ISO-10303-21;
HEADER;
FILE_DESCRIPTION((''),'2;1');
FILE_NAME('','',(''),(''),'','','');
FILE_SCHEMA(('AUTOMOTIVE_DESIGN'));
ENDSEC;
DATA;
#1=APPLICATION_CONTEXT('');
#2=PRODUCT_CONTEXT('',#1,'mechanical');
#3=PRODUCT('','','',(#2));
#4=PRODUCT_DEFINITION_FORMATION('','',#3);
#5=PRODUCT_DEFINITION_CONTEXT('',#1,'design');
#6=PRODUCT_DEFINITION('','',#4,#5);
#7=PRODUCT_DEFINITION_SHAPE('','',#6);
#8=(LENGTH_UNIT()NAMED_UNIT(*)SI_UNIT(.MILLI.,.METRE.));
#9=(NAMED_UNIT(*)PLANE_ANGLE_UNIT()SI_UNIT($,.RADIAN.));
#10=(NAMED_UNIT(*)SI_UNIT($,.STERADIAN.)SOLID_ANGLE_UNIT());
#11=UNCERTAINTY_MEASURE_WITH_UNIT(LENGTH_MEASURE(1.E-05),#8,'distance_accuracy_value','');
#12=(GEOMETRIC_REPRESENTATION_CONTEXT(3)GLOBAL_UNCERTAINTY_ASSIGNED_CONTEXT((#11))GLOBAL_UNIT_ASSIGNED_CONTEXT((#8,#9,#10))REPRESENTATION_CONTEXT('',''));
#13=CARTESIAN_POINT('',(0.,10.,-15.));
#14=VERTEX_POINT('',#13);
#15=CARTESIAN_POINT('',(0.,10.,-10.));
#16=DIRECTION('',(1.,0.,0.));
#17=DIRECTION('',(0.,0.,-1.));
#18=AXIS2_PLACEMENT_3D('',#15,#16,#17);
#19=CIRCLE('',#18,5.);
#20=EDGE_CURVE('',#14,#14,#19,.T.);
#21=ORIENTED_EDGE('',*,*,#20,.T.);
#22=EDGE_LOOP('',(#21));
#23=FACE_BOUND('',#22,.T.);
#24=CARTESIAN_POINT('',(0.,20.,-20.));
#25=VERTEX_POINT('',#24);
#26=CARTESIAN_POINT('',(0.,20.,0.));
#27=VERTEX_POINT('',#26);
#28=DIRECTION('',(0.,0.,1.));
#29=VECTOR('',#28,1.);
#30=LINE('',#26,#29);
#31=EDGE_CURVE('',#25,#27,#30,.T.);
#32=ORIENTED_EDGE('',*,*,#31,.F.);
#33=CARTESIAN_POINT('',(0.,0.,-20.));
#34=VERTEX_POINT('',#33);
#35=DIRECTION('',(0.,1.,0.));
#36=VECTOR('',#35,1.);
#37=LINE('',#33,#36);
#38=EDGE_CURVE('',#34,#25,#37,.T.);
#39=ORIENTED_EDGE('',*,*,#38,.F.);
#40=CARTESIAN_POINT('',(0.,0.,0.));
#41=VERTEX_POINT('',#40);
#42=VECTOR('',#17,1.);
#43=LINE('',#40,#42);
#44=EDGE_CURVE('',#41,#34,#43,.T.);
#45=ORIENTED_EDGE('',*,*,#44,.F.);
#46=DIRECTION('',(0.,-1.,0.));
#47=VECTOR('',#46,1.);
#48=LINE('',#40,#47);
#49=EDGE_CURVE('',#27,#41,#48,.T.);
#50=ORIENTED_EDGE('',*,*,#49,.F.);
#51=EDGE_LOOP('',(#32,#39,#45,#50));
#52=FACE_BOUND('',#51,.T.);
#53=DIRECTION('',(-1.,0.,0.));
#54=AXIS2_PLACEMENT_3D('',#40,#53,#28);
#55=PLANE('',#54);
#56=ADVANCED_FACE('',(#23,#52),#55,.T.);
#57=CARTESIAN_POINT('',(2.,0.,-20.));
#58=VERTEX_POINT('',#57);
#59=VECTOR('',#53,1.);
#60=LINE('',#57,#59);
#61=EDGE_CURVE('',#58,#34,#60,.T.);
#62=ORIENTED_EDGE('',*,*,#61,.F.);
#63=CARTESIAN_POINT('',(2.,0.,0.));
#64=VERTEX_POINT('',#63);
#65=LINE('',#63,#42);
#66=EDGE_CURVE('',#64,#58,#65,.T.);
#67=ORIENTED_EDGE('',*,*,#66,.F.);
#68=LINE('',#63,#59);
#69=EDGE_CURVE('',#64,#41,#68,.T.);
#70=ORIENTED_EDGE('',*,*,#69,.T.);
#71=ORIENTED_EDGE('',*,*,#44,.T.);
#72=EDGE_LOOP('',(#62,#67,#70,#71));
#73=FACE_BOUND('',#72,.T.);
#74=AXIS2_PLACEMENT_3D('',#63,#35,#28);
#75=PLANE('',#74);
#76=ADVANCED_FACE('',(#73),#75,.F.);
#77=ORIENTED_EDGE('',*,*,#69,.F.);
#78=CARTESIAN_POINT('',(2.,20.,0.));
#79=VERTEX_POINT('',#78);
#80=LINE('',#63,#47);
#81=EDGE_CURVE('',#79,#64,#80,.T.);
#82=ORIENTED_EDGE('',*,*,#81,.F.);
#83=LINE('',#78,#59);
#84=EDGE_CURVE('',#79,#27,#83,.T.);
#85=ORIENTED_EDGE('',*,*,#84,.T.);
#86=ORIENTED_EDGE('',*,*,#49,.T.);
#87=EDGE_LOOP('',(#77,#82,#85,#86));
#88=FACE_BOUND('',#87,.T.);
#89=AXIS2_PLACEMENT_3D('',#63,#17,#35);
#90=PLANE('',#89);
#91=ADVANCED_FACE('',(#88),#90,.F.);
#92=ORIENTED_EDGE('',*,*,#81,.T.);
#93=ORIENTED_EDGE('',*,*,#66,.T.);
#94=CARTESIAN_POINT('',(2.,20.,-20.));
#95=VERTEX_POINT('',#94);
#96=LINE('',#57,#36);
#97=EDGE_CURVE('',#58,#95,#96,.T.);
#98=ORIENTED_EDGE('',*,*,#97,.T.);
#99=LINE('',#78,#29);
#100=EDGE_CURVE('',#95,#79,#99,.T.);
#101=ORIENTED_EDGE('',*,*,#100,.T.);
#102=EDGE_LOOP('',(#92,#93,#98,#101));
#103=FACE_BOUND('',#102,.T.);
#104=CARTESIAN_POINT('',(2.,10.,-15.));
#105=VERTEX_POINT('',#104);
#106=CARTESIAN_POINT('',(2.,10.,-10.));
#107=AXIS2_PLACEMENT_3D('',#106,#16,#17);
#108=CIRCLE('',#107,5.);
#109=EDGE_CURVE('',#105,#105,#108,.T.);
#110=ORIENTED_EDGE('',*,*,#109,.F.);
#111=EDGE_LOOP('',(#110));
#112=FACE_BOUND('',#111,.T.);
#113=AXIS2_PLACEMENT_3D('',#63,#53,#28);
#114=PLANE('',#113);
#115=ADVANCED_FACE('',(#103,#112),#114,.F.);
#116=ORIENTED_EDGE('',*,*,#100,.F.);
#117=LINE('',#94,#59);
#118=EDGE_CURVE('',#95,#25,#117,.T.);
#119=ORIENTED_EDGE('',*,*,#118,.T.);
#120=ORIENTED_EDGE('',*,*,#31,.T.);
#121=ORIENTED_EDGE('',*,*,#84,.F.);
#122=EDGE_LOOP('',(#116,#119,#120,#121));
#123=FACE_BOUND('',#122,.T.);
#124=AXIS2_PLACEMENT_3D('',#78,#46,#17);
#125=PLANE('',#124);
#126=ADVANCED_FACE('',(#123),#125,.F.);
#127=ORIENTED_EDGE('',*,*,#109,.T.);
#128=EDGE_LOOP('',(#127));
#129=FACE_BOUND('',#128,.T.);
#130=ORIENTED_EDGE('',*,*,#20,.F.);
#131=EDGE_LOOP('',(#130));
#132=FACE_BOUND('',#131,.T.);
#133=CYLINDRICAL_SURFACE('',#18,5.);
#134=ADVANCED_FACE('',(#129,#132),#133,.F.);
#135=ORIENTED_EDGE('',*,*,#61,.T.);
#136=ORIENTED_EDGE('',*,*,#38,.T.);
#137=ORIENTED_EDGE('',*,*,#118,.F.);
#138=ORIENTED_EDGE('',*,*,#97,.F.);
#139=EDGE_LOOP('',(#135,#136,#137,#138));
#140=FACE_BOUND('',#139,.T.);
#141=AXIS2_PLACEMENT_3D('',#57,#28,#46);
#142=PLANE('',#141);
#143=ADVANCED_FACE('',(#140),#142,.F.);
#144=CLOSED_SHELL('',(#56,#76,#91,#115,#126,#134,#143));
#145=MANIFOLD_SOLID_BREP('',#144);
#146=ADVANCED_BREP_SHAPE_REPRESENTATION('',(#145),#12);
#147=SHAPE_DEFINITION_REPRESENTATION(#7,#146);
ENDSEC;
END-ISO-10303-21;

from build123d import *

# Parameters (mm, degrees)
SKETCH1_W           = 20
SKETCH1_H           = 20
BOSS_EXTRUDE1_DEPTH = 2
SKETCH2_R           = 5
CUT_EXTRUDE1_DEPTH  = 29.354893758


with BuildPart() as part:
    # Sketch1 → Boss-Extrude1 (new body)
    with BuildSketch(Plane(origin=(0, 0, 0), x_dir=(0, 0, -1), z_dir=(1, 0, 0))):
        with Locations((10, 10)):
            Rectangle(SKETCH1_W, SKETCH1_H)
    extrude(amount=BOSS_EXTRUDE1_DEPTH)

    # Sketch2 → Cut-Extrude1 (cut, through all)
    with BuildSketch(Plane(origin=(2, 0, 0), x_dir=(0, 0, -1), z_dir=(1, 0, 0))):
        with Locations((10, 10)):
            Circle(SKETCH2_R)
    extrude(amount=-CUT_EXTRUDE1_DEPTH, mode=Mode.SUBTRACT)


solid = part.part
